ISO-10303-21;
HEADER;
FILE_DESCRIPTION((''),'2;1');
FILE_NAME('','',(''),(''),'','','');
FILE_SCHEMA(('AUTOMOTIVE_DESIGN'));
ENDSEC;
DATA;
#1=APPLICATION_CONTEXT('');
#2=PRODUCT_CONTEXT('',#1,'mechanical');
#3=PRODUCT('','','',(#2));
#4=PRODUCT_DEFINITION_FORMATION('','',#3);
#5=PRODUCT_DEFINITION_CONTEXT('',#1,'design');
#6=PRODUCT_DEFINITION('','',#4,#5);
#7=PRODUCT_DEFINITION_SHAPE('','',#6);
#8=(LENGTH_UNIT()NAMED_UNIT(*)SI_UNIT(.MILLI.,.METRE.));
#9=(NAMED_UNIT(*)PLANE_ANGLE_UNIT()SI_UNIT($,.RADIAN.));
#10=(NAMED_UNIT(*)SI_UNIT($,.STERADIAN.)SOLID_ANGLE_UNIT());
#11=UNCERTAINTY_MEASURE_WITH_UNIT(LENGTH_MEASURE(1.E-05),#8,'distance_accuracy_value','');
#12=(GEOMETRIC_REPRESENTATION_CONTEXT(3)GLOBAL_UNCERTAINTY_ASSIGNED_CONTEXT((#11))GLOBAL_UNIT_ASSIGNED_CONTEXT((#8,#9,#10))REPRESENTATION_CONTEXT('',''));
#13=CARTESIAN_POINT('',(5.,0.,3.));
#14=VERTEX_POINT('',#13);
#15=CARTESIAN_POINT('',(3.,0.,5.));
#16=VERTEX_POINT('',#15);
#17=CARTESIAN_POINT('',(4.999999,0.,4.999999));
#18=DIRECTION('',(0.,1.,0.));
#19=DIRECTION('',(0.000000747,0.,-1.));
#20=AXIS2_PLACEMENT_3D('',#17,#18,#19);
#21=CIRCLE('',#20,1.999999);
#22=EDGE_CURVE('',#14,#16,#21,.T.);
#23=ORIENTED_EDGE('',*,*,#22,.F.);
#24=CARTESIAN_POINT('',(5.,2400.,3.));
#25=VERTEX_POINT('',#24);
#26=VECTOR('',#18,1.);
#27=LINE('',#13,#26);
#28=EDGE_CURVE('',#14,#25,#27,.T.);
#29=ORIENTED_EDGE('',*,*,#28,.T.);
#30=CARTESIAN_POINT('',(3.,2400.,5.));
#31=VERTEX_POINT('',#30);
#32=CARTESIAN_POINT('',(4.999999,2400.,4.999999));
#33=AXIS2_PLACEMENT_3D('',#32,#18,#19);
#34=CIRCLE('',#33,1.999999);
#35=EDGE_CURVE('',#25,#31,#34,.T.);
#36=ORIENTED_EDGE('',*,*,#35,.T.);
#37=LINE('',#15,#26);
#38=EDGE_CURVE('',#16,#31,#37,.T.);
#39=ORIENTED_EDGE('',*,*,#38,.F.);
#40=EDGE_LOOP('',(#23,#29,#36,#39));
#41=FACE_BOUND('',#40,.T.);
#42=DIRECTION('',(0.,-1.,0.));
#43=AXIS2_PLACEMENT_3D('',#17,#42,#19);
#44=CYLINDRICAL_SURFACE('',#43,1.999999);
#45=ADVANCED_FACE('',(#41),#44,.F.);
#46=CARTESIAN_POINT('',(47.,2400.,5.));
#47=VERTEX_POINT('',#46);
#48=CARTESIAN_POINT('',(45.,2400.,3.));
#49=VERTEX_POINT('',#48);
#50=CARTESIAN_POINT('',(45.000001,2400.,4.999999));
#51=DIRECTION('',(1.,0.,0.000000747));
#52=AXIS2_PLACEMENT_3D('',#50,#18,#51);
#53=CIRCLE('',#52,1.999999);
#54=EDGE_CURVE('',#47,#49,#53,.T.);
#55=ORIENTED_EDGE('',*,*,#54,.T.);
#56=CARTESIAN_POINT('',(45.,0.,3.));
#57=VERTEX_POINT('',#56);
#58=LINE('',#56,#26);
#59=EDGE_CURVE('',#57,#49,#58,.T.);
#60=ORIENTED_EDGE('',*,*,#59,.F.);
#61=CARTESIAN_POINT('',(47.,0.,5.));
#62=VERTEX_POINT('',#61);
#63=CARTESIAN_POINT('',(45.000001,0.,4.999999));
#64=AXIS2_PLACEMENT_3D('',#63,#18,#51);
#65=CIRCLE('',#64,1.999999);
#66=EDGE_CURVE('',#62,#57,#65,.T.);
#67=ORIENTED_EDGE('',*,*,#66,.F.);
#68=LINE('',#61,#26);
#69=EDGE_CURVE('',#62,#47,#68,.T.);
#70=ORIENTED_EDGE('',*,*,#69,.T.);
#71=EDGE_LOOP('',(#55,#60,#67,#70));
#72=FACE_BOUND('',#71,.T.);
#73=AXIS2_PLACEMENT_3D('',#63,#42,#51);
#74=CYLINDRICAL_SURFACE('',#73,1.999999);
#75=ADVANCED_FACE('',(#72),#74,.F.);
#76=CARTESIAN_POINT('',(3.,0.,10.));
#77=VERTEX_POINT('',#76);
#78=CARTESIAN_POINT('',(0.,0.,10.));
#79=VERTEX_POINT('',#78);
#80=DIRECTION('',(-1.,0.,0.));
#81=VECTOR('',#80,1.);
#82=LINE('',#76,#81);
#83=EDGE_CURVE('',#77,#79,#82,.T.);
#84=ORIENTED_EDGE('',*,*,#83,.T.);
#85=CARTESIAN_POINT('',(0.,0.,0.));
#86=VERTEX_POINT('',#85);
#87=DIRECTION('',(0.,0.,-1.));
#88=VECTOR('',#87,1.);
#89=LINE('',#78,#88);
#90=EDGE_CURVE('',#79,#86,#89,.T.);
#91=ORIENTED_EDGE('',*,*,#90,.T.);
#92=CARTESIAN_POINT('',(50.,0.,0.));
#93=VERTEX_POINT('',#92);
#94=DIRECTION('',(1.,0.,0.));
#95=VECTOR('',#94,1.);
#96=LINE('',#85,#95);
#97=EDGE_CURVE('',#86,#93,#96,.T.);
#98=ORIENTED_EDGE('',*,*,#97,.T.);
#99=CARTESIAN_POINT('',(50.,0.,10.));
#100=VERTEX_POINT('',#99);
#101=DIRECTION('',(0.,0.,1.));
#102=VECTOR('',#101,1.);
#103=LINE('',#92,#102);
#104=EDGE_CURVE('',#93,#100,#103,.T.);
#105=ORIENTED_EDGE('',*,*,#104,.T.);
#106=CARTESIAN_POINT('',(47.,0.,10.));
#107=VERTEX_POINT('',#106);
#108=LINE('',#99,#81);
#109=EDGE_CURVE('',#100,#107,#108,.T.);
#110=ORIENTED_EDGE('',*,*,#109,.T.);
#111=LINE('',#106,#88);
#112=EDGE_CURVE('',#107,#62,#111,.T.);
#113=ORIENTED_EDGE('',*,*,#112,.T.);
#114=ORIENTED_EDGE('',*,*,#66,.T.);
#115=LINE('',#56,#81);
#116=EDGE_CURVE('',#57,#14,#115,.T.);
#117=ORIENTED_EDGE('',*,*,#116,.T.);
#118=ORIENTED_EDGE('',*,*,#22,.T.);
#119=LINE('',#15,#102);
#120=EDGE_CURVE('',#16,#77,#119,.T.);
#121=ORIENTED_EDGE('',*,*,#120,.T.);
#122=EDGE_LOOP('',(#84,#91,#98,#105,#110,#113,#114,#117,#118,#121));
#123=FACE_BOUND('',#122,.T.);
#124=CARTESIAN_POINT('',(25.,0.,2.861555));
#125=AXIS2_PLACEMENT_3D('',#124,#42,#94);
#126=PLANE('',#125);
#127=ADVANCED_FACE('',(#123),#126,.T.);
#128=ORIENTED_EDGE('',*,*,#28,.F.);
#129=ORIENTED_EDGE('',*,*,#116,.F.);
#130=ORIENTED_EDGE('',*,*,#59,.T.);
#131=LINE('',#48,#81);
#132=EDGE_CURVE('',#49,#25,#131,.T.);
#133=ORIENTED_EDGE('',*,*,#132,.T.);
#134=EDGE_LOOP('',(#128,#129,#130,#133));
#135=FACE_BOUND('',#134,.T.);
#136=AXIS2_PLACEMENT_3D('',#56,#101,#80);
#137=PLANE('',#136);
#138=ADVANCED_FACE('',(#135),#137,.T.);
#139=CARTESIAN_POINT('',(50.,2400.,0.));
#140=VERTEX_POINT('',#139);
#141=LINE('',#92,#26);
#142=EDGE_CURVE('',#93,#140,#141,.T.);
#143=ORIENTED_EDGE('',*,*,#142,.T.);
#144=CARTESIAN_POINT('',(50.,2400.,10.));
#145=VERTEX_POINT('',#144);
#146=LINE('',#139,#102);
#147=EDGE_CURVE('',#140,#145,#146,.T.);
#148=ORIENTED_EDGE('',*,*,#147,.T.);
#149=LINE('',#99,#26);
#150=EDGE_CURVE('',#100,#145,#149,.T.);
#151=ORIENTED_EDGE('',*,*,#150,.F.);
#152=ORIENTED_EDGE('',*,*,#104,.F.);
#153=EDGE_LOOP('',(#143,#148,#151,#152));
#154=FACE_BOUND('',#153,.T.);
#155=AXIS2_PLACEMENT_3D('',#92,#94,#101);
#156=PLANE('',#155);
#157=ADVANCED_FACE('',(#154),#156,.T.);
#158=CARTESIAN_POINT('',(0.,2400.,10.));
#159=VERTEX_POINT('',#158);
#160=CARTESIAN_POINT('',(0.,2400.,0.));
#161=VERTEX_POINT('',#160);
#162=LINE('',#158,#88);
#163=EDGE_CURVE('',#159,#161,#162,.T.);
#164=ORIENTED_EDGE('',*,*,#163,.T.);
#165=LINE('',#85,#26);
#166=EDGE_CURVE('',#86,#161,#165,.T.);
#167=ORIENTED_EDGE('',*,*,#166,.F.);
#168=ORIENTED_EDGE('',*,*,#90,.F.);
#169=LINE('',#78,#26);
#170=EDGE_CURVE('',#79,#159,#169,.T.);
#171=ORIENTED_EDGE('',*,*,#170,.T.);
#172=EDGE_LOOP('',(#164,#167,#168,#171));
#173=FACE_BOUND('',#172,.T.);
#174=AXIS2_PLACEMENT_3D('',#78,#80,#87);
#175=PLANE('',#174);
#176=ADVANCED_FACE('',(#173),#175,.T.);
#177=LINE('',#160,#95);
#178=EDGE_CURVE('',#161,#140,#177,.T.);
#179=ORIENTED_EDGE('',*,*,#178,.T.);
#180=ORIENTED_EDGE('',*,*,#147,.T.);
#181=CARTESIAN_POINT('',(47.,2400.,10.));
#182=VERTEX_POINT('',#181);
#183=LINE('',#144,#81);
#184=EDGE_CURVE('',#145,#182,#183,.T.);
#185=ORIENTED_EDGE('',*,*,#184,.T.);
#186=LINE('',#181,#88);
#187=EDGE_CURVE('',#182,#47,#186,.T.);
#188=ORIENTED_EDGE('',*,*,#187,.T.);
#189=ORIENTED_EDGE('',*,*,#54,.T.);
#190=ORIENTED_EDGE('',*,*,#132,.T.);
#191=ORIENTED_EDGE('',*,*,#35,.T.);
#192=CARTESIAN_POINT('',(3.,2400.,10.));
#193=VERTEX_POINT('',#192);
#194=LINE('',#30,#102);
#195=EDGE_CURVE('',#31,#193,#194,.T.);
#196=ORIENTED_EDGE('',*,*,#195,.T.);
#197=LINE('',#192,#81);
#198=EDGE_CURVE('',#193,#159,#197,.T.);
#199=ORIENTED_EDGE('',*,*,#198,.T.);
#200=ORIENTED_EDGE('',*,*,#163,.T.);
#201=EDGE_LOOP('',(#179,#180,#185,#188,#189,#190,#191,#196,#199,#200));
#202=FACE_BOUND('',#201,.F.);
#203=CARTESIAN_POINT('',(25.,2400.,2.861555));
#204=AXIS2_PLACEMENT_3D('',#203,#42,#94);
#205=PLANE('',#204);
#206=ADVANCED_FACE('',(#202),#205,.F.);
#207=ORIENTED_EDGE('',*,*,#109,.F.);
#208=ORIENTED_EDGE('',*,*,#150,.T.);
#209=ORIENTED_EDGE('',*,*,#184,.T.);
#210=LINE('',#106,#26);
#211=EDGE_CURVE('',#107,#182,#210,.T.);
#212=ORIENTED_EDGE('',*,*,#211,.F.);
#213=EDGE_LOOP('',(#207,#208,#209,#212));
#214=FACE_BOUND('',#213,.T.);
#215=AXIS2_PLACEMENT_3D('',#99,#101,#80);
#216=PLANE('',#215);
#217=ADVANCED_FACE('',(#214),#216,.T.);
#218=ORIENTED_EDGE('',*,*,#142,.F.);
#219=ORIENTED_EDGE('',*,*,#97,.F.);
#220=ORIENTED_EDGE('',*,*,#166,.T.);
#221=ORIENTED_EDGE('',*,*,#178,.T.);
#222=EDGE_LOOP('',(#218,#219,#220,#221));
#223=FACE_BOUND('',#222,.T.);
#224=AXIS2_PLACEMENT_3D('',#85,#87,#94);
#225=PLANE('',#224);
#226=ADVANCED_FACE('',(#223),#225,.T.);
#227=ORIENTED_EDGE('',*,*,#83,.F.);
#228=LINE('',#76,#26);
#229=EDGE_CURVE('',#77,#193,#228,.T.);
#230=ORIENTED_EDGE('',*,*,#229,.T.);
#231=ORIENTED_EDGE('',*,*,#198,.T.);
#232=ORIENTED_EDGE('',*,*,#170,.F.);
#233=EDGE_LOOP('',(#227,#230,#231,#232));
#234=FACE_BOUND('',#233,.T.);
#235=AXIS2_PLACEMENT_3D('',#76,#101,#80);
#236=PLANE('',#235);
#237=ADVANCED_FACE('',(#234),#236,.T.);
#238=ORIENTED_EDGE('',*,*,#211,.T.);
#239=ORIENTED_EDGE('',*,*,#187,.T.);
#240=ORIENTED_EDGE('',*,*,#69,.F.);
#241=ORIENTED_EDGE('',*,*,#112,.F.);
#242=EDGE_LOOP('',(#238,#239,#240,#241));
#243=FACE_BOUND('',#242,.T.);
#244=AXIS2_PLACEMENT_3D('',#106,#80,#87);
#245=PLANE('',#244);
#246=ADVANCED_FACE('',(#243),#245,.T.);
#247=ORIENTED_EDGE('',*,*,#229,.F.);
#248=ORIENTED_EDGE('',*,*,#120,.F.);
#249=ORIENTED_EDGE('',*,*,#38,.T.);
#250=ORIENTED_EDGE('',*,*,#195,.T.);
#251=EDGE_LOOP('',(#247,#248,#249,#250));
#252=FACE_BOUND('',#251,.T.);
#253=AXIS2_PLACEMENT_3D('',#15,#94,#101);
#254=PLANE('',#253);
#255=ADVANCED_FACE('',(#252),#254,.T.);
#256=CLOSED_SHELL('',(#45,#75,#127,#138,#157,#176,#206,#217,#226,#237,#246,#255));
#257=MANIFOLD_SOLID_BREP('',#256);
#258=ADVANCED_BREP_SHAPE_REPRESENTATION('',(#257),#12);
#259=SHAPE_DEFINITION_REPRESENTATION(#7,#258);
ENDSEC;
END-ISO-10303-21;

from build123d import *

# Parameters (mm, degrees)
F1_DEPTH = 2400


with BuildPart() as f1:
    # F0 (on Front) → F1 (new body)
    with BuildSketch(Plane.XZ):
        with BuildLine():
            Line((0, 10), (0, 0))
            Line((0, 0), (50, 0))
            Line((50, 0), (50, 10))
            Line((50, 10), (47, 10))
            Line((47, 10), (47, 5))
            ThreePointArc((47, 5), (46.414214, 3.585786), (45, 3))
            Line((45, 3), (5, 3))
            ThreePointArc((5, 3), (3.585786, 3.585786), (3, 5))
            Line((3, 5), (3, 10))
            Line((3, 10), (0, 10))
        make_face()
    extrude(amount=-F1_DEPTH)


solid = f1.part
